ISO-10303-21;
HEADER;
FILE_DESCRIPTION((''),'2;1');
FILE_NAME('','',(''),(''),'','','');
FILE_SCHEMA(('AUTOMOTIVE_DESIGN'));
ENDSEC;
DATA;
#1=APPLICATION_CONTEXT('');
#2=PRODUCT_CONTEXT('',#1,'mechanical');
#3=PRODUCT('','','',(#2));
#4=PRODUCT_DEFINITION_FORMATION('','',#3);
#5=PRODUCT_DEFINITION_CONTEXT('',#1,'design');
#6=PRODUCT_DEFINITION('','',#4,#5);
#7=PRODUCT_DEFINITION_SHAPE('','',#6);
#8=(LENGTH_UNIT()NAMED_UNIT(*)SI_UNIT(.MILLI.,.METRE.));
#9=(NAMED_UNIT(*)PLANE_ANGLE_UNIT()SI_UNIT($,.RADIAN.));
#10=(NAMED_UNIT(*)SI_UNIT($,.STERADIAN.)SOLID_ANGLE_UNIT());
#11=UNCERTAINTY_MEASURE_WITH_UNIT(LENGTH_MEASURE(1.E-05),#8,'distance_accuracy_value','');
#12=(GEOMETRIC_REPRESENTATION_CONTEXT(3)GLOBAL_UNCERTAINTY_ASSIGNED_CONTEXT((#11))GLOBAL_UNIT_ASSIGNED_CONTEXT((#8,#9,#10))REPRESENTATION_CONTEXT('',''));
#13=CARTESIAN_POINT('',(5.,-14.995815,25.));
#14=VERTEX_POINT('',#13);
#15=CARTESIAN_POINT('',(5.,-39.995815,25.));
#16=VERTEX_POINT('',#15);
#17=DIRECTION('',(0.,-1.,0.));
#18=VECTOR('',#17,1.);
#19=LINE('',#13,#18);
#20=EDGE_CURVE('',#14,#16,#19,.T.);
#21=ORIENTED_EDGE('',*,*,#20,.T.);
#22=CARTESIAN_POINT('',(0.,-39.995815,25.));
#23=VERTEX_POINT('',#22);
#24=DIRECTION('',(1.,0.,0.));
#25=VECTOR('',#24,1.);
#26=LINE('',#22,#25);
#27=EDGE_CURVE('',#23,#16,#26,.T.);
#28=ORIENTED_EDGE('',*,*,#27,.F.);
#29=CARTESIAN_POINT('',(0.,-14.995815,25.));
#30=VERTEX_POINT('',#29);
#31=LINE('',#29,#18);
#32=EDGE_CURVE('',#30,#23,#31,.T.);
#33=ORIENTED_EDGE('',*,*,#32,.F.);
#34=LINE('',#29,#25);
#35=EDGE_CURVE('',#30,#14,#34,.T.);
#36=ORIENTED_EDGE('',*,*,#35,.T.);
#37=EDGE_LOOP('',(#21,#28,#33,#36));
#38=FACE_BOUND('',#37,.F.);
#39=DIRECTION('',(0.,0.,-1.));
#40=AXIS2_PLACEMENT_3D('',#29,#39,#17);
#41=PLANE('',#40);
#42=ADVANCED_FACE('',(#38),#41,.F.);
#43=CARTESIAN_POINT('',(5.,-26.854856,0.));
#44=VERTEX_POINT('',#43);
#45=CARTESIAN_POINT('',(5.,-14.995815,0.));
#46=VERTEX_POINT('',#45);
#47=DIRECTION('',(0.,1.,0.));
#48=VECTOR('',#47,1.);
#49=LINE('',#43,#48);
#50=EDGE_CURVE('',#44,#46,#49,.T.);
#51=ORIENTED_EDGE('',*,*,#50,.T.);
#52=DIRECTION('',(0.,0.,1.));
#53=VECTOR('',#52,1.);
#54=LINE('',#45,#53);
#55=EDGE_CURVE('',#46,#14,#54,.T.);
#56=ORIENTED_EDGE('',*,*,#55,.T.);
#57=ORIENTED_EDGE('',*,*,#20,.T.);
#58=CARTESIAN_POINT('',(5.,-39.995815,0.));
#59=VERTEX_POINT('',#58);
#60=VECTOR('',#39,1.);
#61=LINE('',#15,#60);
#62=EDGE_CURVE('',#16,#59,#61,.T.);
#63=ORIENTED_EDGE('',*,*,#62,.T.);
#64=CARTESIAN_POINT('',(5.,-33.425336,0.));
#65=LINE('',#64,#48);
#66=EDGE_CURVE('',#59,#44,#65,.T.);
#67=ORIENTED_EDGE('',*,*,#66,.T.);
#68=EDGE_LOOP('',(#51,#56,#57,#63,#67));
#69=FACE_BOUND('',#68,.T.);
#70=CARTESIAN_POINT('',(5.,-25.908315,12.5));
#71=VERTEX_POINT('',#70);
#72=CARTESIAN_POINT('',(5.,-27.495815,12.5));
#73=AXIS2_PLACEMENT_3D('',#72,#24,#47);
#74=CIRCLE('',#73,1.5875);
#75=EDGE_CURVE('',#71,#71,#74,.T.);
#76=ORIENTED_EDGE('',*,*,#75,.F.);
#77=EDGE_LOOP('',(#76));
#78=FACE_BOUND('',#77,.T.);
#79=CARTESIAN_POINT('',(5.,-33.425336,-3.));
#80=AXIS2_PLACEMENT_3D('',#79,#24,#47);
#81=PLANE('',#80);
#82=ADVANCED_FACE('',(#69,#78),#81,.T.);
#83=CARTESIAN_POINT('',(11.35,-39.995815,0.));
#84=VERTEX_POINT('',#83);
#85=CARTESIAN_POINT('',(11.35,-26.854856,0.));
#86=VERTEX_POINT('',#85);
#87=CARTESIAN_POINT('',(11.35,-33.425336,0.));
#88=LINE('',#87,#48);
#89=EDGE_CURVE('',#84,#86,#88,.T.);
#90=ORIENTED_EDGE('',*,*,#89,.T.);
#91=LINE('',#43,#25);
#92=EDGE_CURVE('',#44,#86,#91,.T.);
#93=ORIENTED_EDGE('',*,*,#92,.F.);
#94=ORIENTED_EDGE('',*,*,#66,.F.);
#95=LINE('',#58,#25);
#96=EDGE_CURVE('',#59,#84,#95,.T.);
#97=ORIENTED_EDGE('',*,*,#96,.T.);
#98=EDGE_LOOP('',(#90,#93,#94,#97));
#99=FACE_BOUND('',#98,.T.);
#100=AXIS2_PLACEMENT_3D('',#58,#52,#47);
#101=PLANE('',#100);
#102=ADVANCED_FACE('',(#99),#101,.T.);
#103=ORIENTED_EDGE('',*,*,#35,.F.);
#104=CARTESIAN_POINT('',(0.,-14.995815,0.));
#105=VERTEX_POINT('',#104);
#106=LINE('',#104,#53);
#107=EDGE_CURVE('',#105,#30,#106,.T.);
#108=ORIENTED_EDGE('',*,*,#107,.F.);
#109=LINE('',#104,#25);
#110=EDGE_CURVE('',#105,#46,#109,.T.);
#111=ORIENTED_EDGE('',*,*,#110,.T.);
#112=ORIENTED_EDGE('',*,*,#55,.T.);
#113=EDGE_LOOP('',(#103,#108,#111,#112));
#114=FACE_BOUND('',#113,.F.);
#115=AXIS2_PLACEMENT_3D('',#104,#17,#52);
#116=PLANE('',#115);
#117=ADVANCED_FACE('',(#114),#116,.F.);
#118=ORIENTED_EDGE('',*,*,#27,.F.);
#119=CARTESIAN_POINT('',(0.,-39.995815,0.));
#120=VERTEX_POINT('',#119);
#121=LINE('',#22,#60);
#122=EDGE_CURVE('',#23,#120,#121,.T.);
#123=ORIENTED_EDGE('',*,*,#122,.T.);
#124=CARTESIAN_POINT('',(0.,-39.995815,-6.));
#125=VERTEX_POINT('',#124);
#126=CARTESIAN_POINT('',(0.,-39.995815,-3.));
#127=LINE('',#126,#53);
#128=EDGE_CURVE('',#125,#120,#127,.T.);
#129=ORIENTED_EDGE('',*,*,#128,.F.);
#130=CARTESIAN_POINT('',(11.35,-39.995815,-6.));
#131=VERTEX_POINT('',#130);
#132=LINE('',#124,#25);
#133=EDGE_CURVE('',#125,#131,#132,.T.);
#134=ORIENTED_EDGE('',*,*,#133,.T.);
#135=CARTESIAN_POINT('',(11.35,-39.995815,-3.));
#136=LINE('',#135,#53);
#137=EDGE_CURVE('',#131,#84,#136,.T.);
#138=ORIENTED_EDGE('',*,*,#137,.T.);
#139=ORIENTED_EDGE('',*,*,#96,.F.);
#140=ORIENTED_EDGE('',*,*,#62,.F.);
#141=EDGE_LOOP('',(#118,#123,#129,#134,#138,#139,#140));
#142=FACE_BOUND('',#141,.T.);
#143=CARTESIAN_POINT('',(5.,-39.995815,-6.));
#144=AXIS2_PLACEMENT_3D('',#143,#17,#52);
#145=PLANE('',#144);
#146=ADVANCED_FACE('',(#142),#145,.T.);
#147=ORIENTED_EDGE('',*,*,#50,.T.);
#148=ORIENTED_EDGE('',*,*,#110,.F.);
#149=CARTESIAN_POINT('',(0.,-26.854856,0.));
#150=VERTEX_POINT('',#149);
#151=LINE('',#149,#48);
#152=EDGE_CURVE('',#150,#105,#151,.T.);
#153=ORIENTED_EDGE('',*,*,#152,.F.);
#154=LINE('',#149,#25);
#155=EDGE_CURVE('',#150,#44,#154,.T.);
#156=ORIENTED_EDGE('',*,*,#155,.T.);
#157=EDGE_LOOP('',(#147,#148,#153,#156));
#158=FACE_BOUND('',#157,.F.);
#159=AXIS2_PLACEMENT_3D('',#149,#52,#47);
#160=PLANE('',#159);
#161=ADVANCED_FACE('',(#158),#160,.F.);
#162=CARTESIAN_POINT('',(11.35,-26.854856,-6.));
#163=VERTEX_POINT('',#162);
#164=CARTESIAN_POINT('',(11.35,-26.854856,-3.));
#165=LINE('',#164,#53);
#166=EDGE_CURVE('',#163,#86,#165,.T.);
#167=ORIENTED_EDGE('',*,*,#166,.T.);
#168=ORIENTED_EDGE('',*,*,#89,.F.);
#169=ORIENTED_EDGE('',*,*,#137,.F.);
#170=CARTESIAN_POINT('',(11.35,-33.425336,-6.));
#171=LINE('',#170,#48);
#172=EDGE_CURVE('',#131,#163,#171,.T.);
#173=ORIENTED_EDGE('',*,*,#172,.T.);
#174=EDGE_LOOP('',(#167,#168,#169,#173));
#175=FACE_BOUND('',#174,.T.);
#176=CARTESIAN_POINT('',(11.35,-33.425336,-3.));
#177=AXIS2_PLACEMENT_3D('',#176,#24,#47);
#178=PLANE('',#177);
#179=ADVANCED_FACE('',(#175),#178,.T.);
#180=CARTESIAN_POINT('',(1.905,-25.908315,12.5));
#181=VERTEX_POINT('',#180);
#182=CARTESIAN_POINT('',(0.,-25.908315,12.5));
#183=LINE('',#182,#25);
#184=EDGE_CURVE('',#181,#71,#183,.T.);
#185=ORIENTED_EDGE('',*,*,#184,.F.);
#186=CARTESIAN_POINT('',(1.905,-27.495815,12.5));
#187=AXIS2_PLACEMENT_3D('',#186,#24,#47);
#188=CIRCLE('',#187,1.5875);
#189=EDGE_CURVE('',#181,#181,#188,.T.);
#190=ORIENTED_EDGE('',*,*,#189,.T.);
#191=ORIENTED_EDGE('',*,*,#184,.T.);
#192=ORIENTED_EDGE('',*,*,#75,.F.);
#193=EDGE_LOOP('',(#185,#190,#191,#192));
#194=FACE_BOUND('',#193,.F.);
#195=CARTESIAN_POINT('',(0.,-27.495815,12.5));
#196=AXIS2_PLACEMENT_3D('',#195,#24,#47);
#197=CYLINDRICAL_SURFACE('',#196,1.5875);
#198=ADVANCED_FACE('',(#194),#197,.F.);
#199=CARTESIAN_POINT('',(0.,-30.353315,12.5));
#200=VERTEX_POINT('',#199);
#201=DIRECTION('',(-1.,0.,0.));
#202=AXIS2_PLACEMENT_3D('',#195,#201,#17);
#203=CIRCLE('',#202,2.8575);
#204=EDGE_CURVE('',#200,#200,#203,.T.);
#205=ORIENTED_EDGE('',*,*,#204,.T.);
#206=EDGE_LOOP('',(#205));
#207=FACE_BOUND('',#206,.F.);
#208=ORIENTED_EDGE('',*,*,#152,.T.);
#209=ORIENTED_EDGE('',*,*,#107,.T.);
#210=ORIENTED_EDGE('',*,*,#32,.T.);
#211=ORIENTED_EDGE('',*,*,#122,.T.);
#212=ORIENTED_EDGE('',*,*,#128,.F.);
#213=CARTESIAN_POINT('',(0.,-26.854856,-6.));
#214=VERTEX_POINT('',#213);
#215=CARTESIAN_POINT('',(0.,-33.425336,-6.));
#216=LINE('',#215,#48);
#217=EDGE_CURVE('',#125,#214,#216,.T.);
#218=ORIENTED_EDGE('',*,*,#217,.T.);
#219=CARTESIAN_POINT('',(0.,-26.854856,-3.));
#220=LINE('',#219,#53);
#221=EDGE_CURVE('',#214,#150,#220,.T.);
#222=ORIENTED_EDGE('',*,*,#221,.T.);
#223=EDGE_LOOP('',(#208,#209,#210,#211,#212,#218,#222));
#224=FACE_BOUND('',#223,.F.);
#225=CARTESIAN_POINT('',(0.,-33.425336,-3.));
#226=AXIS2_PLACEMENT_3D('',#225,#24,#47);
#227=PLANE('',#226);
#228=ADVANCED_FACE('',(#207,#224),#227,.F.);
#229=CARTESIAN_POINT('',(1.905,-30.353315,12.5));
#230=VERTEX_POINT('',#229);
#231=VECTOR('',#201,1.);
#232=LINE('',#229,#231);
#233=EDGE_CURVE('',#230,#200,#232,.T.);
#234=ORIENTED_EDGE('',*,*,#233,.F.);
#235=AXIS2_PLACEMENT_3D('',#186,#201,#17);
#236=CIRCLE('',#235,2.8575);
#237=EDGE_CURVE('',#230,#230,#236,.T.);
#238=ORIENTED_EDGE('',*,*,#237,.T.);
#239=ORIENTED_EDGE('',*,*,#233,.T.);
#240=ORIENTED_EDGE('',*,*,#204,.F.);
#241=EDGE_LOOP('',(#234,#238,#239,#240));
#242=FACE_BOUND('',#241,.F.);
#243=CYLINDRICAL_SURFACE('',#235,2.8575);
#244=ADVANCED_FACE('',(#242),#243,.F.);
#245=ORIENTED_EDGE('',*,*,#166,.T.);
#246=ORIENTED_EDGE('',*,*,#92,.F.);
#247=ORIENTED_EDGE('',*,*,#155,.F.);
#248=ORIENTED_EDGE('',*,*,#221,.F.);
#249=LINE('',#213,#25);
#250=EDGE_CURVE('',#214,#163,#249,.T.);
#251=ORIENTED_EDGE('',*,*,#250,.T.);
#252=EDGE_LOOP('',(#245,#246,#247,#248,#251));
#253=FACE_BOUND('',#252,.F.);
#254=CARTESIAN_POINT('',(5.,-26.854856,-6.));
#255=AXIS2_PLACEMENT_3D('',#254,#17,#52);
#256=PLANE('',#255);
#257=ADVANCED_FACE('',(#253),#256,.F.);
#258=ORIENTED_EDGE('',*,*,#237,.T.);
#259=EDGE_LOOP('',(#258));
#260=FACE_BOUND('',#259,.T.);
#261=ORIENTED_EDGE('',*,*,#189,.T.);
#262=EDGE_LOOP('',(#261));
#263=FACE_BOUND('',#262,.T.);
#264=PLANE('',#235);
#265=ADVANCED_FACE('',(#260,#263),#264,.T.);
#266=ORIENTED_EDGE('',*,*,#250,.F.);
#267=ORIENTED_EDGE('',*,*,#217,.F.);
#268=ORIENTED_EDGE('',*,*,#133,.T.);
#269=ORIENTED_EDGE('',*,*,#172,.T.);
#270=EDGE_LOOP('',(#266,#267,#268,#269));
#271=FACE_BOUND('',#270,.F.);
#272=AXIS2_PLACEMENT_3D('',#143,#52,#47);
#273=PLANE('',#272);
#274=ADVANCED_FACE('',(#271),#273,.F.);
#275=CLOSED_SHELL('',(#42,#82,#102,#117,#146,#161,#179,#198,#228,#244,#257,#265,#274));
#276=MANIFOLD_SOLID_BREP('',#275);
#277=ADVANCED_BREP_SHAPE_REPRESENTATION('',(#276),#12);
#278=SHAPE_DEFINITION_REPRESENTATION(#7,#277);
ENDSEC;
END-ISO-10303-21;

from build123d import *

# Parameters (mm, degrees)
F0_W           = 13.1409592241
F0_H           = 6
F1_DEPTH       = 5
F3_D           = 3.175
F3_CBORE_D     = 5.715
F3_CBORE_DEPTH = 1.905
F4_W           = 13.1409592241
F4_H           = 6
F5_DEPTH       = 6.35


with BuildPart() as f1:
    # F0 (on Right) → F1 (new body)
    with BuildSketch(Plane.YZ):
        with Locations((-33.4253355518, -3)):
            Rectangle(F0_W, F0_H)
        Polygon((-14.9958151639, 25), (-39.9958151639, 25), (-39.9958151639, 0), (-26.8548559397, 0), (-14.9958151639, 0), align=None)
    extrude(amount=F1_DEPTH)

    # F3 (through all)
    with Locations(Plane(origin=(0, 0, 0), x_dir=(0, -1, 0), z_dir=(-1, 0, 0))):
        with Locations((27.4958151639, 12.5)):
            CounterBoreHole(F3_D / 2, F3_CBORE_D / 2, F3_CBORE_DEPTH)

    # F4 (on face) → F5 (join)
    with BuildSketch(Plane.YZ.offset(5)):
        with Locations((-33.4253355518, -3)):
            Rectangle(F4_W, F4_H)
    extrude(amount=F5_DEPTH)


solid = f1.part
